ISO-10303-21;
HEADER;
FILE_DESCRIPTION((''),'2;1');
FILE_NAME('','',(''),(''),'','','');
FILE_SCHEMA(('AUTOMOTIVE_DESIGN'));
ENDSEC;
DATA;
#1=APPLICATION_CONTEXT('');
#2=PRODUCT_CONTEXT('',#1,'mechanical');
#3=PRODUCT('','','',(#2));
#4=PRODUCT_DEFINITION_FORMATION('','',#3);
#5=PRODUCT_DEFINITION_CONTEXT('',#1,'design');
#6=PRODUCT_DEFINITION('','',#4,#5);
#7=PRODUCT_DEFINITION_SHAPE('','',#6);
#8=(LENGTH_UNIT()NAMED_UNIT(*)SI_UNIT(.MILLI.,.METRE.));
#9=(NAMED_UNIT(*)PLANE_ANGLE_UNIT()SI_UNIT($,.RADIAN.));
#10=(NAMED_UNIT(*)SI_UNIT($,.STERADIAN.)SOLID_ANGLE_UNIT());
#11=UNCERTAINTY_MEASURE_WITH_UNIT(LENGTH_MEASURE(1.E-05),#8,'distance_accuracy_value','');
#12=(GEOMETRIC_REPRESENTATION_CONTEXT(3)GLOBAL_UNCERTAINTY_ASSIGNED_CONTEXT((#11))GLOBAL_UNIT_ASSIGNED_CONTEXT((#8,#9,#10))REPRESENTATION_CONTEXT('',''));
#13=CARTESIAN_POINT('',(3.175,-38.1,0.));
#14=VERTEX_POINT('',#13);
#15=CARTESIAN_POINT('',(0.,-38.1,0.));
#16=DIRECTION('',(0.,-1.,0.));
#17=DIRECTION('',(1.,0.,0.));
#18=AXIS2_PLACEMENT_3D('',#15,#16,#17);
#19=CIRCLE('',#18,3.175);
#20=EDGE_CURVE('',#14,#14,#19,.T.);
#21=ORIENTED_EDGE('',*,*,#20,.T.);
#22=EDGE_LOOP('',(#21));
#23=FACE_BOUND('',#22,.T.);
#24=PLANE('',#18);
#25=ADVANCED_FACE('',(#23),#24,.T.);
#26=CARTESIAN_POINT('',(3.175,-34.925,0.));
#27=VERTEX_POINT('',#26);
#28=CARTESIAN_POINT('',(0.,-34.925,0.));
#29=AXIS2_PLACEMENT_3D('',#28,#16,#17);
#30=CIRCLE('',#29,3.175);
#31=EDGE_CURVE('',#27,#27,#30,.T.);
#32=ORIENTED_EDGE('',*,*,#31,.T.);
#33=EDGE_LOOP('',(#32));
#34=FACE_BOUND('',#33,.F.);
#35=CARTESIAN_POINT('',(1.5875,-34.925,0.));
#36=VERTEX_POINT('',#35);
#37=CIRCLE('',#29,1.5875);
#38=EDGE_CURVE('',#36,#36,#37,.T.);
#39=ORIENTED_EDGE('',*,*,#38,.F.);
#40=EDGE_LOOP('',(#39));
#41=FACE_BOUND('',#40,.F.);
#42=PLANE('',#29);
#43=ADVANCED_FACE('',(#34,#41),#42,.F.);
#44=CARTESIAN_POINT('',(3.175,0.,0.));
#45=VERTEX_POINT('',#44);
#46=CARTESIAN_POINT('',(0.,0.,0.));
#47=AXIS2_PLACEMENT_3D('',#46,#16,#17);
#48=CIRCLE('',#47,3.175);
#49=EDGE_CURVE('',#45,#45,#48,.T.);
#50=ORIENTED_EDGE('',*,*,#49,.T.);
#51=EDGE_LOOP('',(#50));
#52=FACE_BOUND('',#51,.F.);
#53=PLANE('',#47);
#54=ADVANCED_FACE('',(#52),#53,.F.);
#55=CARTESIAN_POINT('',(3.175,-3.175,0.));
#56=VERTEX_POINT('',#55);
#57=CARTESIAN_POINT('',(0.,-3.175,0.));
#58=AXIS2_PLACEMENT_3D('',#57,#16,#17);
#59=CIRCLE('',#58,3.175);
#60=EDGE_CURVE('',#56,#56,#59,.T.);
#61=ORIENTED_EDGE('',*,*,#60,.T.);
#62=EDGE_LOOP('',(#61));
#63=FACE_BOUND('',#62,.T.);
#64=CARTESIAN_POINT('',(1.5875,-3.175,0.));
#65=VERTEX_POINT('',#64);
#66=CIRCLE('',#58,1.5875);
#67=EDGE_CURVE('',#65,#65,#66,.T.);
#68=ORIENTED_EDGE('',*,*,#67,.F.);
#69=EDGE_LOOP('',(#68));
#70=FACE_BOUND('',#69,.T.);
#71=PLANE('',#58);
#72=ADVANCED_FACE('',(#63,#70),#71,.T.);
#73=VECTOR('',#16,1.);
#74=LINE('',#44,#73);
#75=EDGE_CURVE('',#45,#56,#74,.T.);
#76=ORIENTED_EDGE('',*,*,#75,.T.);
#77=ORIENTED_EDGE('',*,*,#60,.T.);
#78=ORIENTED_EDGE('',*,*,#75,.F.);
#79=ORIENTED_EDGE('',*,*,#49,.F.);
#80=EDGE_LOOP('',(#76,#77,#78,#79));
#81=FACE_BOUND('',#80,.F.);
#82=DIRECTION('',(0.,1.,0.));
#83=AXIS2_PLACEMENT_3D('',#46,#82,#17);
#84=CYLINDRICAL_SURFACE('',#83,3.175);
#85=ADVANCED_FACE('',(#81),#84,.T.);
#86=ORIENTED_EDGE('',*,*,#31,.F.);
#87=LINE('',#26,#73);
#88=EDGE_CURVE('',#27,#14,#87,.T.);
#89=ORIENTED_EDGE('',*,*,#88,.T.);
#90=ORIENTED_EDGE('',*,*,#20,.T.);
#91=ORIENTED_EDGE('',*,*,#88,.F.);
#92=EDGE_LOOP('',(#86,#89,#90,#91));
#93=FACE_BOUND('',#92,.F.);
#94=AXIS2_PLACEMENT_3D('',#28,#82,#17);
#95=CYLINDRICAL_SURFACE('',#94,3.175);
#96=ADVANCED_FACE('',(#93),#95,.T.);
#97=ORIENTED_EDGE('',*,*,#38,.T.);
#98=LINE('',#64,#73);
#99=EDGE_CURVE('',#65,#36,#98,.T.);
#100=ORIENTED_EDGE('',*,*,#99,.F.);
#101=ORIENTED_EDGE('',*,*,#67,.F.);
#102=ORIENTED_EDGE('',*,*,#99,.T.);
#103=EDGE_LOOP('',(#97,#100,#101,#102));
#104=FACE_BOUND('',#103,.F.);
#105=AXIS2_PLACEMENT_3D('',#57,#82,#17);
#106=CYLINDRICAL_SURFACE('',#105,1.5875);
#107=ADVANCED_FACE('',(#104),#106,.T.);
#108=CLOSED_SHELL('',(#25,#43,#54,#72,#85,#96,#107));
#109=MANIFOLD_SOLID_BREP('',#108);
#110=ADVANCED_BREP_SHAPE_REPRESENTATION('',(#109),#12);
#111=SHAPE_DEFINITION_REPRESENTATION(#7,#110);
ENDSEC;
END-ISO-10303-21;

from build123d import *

# Parameters (mm, degrees)
F0_R     = 3.175
F1_DEPTH = 3.175
F2_R     = 1.5875
F3_DEPTH = 31.75
F4_R     = 3.175
F4_R_2   = 1.5875
F5_DEPTH = 3.175


with BuildPart() as f1:
    # F0 (on Front) → F1 (new body)
    with BuildSketch(Plane.XZ):
        Circle(F0_R)
    extrude(amount=F1_DEPTH)

    # F2 (on face) → F3 (join)
    with BuildSketch(Plane.XZ.offset(3.175)):
        Circle(F2_R)
    extrude(amount=F3_DEPTH)

    # F4 (on face) → F5 (join)
    with BuildSketch(Plane.XZ.offset(34.925)):
        Circle(F4_R)
        Circle(F4_R_2, mode=Mode.SUBTRACT)
        Circle(F4_R_2)
    extrude(amount=F5_DEPTH)


solid = f1.part
